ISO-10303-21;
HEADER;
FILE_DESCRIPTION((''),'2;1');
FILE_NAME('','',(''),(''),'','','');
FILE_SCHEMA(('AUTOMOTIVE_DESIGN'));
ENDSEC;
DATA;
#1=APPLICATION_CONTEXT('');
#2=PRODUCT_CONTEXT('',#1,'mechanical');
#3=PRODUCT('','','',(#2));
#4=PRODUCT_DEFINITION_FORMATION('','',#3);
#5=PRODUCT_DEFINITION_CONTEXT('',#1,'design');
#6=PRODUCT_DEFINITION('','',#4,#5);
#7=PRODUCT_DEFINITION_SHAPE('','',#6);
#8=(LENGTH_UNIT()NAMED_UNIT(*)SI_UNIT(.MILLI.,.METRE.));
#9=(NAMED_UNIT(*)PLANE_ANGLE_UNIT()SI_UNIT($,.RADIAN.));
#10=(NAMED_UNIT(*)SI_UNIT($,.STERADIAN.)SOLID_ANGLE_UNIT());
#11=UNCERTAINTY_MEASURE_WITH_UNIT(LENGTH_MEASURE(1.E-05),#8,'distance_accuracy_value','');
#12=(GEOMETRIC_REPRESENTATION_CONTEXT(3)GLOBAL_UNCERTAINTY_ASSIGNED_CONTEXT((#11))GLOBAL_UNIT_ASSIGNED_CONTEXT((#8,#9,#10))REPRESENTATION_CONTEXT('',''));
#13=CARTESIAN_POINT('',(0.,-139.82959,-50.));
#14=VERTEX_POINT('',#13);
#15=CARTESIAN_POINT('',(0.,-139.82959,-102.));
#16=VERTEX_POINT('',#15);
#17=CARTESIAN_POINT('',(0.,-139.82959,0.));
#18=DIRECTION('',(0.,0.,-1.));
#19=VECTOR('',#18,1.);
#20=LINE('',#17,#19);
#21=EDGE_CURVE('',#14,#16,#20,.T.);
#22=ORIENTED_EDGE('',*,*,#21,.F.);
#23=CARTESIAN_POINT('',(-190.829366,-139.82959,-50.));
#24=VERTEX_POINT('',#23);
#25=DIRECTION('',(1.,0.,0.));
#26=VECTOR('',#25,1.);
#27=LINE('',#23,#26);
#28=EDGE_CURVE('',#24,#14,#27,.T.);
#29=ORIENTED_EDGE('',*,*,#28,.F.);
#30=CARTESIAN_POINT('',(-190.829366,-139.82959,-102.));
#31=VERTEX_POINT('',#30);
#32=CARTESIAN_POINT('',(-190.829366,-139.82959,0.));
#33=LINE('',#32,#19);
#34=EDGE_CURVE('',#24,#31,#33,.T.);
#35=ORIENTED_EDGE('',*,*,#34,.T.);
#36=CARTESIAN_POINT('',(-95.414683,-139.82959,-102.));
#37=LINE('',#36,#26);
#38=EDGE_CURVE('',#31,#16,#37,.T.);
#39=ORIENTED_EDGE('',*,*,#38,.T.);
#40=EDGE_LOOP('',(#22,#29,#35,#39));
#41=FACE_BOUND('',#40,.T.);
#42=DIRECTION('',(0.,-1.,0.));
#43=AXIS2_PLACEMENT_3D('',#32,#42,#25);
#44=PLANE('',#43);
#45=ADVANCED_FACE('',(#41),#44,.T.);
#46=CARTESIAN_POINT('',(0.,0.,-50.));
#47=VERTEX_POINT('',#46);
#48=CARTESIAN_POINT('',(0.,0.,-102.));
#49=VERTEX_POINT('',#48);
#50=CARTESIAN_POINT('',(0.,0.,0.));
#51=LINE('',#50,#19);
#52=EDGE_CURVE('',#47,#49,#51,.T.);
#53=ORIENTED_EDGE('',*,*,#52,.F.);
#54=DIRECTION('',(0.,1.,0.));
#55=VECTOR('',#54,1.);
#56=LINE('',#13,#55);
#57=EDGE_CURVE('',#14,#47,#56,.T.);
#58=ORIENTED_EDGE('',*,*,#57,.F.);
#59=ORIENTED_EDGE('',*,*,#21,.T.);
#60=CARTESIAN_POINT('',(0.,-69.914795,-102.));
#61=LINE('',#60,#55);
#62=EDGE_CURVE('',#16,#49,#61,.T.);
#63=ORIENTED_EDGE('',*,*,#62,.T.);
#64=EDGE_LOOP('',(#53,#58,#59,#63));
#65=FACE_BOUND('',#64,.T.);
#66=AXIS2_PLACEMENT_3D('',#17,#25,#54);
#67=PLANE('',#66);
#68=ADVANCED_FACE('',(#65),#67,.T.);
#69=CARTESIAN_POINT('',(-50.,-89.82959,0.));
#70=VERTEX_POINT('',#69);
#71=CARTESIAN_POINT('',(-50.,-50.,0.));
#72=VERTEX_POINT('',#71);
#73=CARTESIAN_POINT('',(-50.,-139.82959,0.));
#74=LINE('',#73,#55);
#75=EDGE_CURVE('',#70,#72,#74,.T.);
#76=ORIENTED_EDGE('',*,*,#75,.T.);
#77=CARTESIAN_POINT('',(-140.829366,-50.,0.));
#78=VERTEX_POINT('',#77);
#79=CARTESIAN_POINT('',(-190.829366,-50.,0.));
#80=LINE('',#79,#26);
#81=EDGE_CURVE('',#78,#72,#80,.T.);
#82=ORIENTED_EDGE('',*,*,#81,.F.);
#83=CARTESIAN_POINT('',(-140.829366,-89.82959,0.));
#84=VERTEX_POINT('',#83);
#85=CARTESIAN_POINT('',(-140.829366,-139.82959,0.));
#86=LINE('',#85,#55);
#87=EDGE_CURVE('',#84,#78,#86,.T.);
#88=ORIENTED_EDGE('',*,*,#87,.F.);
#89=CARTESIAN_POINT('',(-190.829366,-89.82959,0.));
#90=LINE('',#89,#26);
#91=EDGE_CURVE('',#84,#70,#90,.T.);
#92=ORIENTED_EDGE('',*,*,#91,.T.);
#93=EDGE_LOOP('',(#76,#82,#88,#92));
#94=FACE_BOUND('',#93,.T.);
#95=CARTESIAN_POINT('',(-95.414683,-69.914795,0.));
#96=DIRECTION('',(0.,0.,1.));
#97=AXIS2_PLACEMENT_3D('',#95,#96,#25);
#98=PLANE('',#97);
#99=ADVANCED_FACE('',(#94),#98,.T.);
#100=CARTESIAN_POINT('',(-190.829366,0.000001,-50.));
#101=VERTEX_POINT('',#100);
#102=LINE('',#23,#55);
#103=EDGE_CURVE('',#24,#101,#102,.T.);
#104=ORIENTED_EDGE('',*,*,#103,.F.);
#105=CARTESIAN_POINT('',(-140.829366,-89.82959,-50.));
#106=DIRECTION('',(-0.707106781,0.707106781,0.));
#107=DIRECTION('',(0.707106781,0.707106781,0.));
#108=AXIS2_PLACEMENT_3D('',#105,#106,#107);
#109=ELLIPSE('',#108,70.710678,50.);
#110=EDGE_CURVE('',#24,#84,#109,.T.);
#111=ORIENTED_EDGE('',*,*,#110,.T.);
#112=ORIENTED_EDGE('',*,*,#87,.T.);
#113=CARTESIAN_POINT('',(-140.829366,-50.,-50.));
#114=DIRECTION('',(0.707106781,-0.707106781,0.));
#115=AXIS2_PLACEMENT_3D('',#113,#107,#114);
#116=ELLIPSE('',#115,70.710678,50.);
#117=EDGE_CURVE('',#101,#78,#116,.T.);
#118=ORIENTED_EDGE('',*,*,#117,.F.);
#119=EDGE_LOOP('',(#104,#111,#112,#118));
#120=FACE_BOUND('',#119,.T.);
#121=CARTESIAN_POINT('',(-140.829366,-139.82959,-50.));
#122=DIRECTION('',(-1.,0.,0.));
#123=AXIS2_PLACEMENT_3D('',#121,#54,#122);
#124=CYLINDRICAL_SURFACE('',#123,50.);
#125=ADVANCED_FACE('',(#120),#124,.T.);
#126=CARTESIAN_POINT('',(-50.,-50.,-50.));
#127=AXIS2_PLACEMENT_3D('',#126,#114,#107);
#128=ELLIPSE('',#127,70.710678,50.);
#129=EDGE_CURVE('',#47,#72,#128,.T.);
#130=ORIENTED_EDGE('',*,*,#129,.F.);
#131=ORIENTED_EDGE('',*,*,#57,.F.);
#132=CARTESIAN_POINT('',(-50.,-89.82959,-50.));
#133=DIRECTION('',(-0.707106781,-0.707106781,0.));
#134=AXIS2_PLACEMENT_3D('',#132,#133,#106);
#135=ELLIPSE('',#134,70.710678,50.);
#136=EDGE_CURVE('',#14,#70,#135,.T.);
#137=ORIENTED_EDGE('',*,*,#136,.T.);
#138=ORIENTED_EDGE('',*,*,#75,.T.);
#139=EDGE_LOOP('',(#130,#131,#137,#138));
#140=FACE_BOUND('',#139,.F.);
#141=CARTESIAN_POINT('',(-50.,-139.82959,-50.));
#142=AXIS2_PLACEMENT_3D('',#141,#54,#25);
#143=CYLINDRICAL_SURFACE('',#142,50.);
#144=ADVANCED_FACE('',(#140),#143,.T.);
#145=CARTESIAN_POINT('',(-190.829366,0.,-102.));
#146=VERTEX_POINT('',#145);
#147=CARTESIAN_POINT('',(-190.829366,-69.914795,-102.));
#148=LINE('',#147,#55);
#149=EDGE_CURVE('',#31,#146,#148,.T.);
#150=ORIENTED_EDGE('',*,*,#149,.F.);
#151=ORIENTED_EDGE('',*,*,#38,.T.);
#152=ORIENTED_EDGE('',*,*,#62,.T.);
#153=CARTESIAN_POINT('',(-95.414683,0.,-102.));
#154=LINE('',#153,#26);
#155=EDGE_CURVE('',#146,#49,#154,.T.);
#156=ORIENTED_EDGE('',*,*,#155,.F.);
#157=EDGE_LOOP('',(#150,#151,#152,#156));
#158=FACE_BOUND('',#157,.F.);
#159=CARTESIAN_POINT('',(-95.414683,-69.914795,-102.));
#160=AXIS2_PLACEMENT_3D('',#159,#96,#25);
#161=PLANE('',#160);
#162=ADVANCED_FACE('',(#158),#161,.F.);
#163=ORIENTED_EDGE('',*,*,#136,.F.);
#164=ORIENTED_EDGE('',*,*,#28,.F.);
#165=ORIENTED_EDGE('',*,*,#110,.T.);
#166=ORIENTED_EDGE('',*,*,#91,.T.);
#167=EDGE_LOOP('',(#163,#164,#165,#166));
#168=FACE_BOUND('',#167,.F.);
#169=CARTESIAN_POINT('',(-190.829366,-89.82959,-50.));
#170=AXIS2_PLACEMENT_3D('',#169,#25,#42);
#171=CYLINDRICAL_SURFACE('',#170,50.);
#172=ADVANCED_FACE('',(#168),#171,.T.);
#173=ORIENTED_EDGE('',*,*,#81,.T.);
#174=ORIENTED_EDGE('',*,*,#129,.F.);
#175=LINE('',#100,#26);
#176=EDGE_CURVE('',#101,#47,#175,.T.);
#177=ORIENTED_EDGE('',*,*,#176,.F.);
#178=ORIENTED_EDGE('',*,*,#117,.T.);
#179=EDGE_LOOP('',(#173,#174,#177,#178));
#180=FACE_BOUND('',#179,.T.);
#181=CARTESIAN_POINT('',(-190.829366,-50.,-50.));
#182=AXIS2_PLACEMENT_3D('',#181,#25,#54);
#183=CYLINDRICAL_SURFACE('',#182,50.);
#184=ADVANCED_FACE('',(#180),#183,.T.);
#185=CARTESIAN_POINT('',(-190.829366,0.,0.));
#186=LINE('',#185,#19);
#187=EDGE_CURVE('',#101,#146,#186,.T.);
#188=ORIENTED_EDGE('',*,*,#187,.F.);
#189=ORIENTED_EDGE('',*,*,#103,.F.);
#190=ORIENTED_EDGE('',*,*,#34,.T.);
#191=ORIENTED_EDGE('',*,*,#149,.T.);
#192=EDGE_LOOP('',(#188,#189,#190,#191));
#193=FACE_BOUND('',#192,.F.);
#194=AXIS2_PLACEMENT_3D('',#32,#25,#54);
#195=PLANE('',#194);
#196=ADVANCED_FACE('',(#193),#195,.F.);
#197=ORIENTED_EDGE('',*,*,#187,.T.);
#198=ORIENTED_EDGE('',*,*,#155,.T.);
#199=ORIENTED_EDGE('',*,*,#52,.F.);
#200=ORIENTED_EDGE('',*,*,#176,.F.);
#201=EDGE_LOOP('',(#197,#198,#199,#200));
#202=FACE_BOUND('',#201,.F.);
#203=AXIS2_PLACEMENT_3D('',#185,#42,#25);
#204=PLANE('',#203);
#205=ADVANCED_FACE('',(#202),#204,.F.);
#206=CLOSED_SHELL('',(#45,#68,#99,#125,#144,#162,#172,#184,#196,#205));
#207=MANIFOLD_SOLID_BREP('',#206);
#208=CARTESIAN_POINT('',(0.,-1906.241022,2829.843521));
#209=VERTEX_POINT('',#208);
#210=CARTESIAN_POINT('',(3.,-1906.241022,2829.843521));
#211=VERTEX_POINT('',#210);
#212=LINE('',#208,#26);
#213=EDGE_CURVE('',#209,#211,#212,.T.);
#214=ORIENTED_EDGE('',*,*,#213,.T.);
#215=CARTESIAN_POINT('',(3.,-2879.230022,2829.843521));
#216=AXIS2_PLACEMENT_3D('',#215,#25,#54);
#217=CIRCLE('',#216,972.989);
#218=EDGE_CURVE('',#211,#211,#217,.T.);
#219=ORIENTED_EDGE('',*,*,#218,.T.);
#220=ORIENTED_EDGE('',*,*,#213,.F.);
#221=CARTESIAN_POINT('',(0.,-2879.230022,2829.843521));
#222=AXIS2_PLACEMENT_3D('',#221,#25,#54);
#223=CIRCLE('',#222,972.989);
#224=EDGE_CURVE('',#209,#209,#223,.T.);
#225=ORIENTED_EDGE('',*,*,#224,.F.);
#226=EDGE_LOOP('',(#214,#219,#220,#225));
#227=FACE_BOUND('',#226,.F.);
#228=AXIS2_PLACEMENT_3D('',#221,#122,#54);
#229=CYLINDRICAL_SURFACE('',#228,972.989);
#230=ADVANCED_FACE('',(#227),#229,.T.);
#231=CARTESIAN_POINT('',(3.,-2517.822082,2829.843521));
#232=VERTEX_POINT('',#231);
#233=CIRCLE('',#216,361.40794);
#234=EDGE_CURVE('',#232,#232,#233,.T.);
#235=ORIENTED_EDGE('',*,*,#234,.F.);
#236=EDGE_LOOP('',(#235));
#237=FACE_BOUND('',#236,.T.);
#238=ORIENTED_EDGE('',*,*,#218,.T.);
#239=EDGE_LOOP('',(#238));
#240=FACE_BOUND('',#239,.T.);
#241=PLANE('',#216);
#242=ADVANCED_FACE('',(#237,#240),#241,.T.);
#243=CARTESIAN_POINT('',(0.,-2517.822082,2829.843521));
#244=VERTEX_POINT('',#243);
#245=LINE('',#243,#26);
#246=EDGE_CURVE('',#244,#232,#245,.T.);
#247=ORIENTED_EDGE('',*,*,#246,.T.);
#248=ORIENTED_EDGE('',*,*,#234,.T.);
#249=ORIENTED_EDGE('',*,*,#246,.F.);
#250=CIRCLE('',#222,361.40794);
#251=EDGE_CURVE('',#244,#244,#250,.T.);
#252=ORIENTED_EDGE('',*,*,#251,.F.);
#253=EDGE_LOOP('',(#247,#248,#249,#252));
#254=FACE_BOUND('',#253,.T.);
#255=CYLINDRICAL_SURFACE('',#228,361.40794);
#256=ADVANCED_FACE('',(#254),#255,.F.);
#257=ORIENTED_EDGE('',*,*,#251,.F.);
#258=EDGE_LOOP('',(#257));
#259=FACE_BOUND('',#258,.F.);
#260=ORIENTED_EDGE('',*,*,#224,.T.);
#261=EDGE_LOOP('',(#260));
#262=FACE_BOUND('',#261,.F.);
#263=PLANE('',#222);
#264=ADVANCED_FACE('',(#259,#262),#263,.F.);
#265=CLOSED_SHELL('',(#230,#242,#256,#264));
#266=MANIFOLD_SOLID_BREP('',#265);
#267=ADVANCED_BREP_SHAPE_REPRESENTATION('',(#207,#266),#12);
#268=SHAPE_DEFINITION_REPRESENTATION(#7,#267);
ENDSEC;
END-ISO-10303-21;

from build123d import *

# Parameters (mm, degrees)
F0_W     = 190.829366
F0_H     = 139.829591
F1_DEPTH = 102
F2_R     = 50
F4_R     = 972.989
F4_R_2   = 361.40794
F5_DEPTH = 3


with BuildPart() as f1:
    # F0 (on Top) → F1 (new body)
    with BuildSketch(Plane.XY):
        with Locations((-95.414683, -69.914795)):
            Rectangle(F0_W, F0_H)
    extrude(amount=-F1_DEPTH)

    # F2
    f2_edges = [f1.edges().sort_by_distance(p)[0] for p in [
        (0, -69.914795, 0),
        (-95.414683, 0, 0),
        (-190.829366, -69.914795, 0),
        (-95.414683, -139.829591, 0),
    ]]
    fillet(f2_edges, radius=F2_R)


with BuildPart() as f5:
    # F4 (on face) → F5 (new body)
    with BuildSketch(Plane.YZ):
        with Locations((-2879.230022, 2829.843521)):
            Circle(F4_R)
        with Locations((-2879.230022, 2829.843521)):
            Circle(F4_R_2, mode=Mode.SUBTRACT)
    extrude(amount=F5_DEPTH)


solid = Compound([f1.part, f5.part])
